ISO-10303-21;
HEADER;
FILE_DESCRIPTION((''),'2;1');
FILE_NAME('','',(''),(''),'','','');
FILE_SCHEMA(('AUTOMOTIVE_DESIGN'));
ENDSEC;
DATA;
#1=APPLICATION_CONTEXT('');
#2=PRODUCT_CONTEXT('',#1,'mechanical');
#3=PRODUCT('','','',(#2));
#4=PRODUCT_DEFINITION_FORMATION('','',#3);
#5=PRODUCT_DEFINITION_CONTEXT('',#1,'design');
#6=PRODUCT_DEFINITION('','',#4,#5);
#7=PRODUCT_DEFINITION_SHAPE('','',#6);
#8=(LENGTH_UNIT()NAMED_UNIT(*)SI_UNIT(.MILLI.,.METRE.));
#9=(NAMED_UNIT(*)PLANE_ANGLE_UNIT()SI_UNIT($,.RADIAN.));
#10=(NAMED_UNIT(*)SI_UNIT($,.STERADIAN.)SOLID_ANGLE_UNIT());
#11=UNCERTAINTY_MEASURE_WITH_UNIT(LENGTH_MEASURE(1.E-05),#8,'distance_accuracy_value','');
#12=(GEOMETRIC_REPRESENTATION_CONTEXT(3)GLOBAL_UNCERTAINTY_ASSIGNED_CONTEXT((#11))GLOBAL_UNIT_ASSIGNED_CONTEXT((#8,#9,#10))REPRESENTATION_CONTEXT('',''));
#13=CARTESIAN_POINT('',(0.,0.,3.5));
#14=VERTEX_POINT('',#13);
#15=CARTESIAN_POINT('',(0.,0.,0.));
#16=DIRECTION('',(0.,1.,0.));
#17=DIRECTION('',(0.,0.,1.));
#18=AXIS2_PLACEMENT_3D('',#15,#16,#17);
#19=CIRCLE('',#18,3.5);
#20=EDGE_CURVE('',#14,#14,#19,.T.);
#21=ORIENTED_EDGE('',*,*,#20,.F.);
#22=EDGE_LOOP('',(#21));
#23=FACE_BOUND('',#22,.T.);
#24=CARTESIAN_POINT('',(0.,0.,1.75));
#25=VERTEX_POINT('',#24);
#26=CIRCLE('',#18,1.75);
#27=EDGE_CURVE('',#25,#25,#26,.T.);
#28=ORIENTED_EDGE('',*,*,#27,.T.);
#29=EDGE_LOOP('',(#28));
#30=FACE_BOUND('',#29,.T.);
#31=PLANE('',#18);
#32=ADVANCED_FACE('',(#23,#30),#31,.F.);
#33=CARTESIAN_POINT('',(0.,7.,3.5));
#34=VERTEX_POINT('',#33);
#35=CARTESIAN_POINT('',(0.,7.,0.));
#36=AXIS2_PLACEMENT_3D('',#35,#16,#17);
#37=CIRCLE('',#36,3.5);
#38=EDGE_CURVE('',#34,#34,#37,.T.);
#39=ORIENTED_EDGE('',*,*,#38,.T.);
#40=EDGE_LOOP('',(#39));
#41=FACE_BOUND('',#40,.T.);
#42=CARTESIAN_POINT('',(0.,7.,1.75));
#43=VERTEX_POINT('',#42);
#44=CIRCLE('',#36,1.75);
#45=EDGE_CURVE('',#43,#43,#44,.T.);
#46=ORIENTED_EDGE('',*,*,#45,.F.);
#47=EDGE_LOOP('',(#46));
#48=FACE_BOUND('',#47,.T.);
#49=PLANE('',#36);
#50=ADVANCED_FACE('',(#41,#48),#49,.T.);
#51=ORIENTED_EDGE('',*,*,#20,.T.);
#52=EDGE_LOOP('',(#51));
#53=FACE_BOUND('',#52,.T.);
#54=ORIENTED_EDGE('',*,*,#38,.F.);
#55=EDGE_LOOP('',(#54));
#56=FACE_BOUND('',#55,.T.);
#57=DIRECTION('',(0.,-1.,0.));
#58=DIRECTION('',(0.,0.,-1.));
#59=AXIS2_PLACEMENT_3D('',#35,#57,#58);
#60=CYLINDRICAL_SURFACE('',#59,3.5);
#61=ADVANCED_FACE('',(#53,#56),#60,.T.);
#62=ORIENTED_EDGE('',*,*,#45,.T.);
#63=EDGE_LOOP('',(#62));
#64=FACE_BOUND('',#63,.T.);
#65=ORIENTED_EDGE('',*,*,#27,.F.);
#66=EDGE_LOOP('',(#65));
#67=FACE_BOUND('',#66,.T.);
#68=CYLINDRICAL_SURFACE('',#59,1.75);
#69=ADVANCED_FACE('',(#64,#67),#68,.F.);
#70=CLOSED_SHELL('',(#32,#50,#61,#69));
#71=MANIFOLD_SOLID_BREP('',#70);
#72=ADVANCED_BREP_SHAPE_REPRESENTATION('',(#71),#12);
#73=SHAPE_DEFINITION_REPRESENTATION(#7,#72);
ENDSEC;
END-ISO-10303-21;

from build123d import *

# Parameters (mm, degrees)
SKETCH_1_R      = 3.5
SKETCH_1_R_2    = 1.75
EXTRUDE_1_DEPTH = 7


with BuildPart() as part:
    # Эскиз1 → Бобышка-Вытянуть1 (new body)
    with BuildSketch(Plane(origin=(0, 0, 0), x_dir=(1, 0, 0), z_dir=(0, 1, 0))):
        with Locations(Location((0, 0, 0), (0, 0, 270))):
            Circle(SKETCH_1_R)
        with Locations(Location((0, 0, 0), (0, 0, 270))):
            Circle(SKETCH_1_R_2, mode=Mode.SUBTRACT)
    extrude(amount=EXTRUDE_1_DEPTH)


solid = part.part
